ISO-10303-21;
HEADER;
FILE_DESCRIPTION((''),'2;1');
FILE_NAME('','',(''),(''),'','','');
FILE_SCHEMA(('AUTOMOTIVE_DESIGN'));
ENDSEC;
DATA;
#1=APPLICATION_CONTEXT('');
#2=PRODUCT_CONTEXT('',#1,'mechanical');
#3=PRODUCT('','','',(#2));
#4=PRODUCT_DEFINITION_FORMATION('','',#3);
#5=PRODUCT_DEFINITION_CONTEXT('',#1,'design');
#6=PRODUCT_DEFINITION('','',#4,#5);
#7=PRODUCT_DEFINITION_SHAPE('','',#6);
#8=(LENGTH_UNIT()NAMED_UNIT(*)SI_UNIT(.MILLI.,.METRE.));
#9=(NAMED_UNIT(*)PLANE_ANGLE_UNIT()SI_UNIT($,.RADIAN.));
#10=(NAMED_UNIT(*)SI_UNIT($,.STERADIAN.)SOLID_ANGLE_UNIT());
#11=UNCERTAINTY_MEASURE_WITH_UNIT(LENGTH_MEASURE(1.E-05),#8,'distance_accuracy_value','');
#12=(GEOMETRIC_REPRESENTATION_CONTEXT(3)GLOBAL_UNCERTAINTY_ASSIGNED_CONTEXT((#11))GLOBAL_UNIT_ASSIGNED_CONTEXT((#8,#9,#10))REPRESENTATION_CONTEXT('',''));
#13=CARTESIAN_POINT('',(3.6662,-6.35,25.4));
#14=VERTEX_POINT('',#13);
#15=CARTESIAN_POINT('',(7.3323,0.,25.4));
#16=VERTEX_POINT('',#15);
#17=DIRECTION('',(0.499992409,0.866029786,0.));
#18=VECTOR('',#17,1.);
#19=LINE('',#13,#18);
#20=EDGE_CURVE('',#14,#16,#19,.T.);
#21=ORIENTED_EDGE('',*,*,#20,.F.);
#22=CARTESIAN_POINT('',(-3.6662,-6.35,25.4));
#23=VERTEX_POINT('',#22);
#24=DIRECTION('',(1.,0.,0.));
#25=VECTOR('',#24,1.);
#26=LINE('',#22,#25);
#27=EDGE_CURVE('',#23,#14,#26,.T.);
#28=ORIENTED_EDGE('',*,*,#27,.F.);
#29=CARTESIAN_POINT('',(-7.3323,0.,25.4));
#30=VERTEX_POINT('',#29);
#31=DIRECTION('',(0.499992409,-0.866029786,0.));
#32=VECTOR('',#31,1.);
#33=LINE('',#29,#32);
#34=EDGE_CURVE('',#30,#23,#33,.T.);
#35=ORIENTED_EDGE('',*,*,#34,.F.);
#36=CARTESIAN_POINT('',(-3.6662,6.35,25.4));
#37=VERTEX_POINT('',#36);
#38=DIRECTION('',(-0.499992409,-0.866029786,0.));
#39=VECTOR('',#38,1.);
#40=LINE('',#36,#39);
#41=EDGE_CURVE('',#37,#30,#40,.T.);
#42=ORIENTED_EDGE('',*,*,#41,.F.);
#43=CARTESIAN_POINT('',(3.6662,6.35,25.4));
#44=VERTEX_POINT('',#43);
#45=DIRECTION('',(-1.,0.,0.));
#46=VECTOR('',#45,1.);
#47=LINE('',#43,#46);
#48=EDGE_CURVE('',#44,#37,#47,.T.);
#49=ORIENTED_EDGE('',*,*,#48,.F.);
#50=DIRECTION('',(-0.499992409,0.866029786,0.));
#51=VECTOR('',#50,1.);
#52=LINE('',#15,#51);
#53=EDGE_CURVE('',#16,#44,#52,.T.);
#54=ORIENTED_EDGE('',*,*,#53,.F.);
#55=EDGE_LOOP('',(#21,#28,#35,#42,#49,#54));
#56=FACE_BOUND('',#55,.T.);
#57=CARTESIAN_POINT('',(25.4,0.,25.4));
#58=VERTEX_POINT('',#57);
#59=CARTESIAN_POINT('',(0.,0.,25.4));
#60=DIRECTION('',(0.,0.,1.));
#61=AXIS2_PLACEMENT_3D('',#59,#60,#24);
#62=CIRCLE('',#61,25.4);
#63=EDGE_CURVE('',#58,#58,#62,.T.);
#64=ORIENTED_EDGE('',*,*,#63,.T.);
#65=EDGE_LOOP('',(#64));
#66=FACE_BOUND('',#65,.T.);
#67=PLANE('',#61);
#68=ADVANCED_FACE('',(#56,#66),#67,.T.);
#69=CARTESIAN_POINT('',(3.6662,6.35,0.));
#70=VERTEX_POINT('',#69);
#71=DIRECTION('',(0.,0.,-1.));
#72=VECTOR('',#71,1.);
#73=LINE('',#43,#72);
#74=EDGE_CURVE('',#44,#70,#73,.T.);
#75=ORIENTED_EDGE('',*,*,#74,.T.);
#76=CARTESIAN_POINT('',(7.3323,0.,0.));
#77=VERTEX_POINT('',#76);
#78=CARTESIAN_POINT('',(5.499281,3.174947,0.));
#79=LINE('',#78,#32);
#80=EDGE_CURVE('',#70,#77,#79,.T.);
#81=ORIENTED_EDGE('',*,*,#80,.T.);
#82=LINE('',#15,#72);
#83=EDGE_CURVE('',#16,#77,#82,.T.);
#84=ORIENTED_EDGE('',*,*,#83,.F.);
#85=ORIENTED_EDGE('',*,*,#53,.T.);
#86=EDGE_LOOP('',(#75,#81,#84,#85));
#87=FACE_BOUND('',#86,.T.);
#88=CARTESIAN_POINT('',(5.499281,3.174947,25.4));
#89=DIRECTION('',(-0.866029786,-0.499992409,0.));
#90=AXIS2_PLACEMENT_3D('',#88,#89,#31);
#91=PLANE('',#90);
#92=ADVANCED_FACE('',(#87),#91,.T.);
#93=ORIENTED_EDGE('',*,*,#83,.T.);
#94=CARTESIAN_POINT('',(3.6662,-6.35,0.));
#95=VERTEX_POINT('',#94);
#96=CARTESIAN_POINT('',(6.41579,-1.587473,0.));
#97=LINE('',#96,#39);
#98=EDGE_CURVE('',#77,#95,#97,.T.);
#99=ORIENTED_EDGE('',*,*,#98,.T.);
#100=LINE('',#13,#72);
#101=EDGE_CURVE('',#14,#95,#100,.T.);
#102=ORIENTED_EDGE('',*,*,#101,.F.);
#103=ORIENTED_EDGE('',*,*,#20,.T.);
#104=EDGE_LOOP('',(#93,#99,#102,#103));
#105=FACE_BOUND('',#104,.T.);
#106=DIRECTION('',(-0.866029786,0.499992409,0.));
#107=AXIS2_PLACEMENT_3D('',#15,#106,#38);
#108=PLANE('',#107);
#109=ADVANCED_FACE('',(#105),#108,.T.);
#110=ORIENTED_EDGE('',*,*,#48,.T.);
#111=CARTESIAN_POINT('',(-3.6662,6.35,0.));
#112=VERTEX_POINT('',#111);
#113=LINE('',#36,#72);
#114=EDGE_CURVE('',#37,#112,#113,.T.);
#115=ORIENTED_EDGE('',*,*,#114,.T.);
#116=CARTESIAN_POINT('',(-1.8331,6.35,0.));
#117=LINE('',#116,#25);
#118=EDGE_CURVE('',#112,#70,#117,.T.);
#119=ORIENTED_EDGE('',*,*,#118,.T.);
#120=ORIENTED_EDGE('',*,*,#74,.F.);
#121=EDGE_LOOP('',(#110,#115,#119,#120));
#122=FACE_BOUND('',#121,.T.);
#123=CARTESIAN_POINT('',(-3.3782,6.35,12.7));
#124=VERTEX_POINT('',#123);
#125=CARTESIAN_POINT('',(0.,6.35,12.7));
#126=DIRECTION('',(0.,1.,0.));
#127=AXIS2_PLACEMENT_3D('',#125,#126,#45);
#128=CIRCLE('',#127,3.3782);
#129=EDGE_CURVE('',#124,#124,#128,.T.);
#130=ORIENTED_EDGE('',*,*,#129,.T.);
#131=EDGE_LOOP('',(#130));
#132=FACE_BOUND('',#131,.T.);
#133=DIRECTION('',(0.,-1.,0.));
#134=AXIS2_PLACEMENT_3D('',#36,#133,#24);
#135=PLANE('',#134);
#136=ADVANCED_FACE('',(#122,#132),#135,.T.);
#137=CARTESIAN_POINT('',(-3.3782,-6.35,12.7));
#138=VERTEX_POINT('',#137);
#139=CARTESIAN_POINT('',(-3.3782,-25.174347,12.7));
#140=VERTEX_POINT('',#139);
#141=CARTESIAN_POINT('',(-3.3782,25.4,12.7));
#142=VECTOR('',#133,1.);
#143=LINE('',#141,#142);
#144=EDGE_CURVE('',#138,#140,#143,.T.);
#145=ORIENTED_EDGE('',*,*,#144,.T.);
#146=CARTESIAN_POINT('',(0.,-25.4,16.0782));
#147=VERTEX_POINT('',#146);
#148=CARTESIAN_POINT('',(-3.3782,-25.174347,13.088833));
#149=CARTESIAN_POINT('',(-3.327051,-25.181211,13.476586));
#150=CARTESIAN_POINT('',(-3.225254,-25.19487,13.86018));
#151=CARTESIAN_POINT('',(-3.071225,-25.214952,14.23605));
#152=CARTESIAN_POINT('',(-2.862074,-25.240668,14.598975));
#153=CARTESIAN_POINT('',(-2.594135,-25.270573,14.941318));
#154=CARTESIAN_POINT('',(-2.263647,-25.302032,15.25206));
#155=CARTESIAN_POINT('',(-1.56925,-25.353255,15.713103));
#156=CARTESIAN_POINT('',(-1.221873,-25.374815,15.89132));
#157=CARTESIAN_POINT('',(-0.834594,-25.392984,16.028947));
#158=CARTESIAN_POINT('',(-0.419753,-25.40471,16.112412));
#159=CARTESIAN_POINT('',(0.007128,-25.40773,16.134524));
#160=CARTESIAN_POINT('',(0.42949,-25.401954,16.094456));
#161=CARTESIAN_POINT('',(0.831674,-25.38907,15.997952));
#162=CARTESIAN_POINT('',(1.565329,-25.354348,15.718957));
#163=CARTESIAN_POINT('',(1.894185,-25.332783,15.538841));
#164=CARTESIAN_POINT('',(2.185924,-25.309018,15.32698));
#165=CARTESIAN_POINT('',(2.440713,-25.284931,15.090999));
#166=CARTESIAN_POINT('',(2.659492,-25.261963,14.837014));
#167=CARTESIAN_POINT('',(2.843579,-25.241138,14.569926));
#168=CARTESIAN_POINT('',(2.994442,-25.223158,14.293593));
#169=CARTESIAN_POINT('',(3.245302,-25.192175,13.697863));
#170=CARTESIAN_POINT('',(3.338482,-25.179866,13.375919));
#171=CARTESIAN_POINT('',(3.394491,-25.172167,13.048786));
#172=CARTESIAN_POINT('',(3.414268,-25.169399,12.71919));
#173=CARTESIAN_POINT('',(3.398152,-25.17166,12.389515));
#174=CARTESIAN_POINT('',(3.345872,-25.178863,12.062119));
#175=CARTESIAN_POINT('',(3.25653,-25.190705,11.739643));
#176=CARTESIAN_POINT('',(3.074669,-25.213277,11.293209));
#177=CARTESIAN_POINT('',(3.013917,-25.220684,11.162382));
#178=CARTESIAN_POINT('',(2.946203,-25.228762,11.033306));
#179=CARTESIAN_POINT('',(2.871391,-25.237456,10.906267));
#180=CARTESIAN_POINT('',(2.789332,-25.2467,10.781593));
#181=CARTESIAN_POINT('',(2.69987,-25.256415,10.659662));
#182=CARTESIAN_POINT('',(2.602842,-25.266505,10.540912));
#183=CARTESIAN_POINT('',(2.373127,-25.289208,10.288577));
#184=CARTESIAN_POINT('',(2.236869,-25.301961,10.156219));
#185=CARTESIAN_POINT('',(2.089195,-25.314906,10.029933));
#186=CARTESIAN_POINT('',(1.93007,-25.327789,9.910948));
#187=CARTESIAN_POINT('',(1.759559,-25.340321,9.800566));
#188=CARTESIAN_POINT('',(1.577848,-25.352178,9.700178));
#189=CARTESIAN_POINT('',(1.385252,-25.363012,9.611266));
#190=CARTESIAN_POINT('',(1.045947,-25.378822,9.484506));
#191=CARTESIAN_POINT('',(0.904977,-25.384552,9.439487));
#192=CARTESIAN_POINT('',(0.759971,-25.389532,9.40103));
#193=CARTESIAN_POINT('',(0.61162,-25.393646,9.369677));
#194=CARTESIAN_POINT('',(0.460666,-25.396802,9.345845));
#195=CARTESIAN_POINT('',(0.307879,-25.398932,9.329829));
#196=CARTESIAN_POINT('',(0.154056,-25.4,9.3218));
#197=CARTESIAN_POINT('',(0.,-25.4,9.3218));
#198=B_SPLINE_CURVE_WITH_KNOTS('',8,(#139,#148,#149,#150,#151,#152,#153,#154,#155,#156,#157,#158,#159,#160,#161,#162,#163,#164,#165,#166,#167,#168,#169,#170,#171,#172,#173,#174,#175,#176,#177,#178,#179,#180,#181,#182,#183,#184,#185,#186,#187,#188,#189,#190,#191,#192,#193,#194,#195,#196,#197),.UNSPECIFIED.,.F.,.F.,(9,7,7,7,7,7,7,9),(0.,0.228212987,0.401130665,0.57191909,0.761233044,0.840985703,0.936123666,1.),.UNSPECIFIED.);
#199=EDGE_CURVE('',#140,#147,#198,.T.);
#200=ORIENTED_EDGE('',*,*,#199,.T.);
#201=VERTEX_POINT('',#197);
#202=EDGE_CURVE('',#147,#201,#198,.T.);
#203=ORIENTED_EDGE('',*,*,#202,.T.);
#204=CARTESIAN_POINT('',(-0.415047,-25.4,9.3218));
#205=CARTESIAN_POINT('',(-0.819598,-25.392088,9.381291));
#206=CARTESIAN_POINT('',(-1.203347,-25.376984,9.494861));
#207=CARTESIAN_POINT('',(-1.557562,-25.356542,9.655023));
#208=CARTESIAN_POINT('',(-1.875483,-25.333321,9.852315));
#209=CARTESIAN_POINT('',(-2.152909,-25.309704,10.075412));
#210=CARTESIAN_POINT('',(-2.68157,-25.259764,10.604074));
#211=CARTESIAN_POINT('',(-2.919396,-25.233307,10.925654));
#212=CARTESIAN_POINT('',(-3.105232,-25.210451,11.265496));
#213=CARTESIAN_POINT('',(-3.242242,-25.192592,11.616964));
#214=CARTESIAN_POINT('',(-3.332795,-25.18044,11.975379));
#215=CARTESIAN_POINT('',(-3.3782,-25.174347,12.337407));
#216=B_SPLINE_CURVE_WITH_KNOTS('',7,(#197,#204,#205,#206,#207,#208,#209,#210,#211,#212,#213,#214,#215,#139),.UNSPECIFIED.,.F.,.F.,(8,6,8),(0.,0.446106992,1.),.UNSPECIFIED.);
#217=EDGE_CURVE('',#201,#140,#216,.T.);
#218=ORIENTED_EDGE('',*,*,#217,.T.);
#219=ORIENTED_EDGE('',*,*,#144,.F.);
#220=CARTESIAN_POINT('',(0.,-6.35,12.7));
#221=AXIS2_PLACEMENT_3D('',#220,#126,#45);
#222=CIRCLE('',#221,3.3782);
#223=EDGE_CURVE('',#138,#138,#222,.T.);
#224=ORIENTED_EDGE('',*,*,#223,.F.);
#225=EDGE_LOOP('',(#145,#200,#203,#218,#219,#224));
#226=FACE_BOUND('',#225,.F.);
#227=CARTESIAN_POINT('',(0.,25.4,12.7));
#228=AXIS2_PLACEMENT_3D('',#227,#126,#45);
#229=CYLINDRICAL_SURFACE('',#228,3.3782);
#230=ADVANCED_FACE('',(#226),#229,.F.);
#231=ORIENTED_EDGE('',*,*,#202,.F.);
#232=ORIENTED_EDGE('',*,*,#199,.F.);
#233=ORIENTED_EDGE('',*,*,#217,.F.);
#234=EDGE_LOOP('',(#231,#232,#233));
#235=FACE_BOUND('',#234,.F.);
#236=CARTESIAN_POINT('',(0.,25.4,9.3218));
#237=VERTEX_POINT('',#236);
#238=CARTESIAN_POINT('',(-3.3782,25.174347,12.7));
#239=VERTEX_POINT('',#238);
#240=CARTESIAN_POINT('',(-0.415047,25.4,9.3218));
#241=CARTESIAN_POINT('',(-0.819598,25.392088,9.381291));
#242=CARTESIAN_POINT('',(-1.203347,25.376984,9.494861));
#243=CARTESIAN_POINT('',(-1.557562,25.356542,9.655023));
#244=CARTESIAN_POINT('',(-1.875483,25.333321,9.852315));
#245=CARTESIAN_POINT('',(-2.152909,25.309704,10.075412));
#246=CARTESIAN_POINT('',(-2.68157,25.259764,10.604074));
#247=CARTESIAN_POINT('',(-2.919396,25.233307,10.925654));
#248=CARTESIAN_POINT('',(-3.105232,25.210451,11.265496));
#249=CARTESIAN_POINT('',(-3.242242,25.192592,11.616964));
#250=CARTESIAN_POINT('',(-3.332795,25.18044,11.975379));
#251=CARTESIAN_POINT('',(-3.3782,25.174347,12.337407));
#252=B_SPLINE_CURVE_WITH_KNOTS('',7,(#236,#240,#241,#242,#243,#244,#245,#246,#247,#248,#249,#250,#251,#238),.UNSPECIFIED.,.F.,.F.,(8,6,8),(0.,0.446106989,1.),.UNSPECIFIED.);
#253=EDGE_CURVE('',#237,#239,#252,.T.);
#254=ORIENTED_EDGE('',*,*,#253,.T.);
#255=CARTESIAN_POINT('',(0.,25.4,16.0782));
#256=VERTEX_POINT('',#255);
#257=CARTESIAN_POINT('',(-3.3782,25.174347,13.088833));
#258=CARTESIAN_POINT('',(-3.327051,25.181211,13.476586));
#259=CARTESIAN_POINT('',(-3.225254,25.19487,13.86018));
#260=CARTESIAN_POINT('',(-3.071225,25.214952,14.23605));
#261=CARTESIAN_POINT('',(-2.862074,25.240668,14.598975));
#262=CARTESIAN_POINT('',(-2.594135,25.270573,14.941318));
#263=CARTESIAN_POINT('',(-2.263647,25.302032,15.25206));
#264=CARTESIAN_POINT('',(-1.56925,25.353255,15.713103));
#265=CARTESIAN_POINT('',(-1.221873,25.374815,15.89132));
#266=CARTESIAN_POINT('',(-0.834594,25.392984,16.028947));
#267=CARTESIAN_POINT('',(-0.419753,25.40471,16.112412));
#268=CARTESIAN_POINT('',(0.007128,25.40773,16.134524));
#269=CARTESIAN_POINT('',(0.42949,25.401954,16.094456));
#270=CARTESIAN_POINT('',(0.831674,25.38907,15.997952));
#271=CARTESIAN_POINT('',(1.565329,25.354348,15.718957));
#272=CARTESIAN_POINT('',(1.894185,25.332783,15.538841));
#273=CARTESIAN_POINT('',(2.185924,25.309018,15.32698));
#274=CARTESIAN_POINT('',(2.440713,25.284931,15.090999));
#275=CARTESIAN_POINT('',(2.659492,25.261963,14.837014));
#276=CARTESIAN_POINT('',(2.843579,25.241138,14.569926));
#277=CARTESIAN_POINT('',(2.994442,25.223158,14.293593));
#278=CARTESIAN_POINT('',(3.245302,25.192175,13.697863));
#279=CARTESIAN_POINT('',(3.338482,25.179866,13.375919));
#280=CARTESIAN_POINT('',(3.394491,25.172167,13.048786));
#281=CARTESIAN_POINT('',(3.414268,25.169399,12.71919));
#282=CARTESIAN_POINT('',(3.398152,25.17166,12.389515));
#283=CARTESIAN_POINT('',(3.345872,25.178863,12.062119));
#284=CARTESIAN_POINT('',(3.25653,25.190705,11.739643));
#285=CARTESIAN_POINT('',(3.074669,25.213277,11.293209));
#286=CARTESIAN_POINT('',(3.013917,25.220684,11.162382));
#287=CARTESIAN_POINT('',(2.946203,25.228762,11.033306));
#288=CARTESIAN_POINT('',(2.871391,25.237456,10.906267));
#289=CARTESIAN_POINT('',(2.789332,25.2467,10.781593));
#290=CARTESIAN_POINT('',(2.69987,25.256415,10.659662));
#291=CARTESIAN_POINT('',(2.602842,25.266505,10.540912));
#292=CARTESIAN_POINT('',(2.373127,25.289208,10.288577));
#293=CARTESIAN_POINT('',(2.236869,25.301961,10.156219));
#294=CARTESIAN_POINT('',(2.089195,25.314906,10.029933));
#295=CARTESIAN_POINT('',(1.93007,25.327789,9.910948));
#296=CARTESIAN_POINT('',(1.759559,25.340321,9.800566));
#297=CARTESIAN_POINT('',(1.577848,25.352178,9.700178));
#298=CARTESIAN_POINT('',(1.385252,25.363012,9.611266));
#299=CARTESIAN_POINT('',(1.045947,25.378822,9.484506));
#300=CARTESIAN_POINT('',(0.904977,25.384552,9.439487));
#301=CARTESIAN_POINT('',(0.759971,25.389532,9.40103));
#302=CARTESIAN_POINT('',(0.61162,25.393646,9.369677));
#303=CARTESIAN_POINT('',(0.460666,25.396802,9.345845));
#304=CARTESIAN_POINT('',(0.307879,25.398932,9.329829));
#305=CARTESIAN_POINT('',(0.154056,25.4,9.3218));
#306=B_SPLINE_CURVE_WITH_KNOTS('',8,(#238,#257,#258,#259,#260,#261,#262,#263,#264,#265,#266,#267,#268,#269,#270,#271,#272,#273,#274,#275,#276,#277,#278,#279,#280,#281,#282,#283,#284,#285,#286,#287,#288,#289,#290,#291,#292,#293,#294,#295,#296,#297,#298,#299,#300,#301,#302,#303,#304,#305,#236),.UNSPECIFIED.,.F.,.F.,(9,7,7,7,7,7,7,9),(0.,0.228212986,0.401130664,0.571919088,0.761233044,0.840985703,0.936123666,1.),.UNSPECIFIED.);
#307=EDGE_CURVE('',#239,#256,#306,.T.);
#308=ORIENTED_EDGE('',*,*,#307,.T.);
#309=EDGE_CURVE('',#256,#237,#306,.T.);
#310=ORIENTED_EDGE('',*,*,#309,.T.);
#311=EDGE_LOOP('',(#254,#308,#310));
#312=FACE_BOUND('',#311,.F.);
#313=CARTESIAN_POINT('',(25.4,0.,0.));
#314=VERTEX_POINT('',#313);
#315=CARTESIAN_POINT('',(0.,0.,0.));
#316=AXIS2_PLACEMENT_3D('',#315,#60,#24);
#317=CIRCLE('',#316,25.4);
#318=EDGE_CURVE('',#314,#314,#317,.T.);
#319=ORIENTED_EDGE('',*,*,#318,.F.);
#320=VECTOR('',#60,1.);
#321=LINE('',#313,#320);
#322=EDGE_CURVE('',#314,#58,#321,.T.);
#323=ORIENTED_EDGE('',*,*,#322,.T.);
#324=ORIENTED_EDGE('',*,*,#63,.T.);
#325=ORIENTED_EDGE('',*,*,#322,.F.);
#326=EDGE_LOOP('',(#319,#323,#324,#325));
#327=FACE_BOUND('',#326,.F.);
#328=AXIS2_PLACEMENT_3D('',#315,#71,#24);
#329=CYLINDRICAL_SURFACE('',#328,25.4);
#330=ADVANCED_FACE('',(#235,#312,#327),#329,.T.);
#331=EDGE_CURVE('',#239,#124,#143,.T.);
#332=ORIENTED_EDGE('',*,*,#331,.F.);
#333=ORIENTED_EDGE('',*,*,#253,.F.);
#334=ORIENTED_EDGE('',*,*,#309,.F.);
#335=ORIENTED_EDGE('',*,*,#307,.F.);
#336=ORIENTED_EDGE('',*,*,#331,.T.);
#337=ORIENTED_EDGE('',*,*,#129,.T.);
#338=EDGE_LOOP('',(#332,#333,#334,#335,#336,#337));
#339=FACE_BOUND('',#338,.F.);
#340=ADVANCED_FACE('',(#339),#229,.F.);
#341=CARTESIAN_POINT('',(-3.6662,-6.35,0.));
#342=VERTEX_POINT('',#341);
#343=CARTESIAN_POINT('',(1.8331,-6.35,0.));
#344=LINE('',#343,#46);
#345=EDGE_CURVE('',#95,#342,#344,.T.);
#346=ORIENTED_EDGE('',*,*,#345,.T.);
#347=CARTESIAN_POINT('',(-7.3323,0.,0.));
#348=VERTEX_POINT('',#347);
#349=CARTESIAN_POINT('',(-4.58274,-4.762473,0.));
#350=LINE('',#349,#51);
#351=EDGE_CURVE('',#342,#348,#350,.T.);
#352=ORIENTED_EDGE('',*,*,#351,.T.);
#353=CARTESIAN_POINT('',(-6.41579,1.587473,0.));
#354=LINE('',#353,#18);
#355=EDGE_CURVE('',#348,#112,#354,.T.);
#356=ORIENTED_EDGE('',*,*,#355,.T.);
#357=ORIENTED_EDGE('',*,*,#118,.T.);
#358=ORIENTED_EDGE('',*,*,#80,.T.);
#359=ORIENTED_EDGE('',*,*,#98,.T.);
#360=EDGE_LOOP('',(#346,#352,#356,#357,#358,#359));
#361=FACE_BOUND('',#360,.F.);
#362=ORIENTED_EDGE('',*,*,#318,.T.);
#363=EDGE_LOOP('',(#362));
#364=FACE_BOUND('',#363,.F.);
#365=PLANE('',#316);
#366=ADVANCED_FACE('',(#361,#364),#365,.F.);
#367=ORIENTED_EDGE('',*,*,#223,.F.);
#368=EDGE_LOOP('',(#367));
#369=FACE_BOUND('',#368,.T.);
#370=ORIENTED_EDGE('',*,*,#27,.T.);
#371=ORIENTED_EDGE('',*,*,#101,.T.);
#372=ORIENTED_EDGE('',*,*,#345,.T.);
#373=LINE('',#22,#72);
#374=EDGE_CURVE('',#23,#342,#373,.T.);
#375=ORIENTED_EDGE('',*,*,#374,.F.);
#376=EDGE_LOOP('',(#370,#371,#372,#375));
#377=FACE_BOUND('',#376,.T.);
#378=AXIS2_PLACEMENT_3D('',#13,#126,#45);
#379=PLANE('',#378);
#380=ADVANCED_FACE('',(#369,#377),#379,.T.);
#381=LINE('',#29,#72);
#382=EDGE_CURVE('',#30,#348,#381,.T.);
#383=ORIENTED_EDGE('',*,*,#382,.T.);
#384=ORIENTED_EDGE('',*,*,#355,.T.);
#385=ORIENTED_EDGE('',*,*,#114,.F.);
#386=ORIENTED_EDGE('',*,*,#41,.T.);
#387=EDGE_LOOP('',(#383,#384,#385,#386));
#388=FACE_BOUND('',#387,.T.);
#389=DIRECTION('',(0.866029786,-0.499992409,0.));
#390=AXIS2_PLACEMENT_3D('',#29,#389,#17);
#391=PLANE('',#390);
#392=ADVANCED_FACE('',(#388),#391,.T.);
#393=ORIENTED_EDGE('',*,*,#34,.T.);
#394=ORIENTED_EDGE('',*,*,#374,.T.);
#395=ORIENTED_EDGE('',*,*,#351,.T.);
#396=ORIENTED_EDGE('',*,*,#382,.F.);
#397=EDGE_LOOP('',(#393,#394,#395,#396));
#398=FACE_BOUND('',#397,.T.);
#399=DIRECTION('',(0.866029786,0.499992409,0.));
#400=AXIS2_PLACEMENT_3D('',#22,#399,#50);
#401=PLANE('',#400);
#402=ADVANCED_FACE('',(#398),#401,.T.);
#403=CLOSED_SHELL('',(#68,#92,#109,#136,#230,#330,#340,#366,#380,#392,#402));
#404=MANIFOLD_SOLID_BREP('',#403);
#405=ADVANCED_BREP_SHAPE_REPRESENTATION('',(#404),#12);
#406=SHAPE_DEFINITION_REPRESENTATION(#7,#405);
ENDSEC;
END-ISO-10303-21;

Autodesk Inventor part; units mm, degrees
ref_plane "YZ Plane" through (0, 0, 0) normal (1, 0, 0) x (0, 1, 0)
ref_plane "XY Plane" through (0, 0, 0) normal (0, 0, 1) x (1, 0, 0)
sketch "Sketch1" plane through (0, 0, 0) normal (0, 0, 1) x (1, 0, 0)
  circle A0 centre (0, 0) radius 25.4
  dimension "d0" = 50.8
extrude "Extrusion1" add sketch "Sketch1" along normal blind 25.4
ref_plane "Work Plane1" through (0, 25.4, 0) normal (0, 1, 0) x (-1, 0, 0)
sketch "Sketch2" plane through (0, 25.4, 0) normal (0, 1, 0) x (-1, 0, 0)
  line L0 (0, 0) -> (0, 12.7)
  circle A0 centre (0, 12.7) radius 3.3782
  dimension "d3" = 12.7
  dimension "d4" = 6.7564
extrude "Extrusion2" cut sketch "Sketch2" against normal blind 50.8
sketch "Sketch3" plane through (0, 0, 25.4) normal (0, 0, 1) x (1, 0, 0)
  circle A0 centre (0, 0) radius 25.4 projected
  circle A1 centre (0, 0) radius 6.35
  line L0 (3.6662, 6.35) -> (7.3323, 0)
  line L1 (7.3323, 0) -> (3.6662, -6.35)
  line L2 (3.6662, -6.35) -> (-3.6662, -6.35)
  line L3 (-3.6662, -6.35) -> (-7.3323, 0)
  line L4 (-7.3323, 0) -> (-3.6662, 6.35)
  line L5 (-3.6662, 6.35) -> (3.6662, 6.35)
  point P0 (0, 6.35)
  dimension "d7" = 12.7
extrude "Extrusion3" cut sketch "Sketch3" against normal blind 50.8 contours A1 | A1 L0 L1 | A1 L5 L0 | L1 L2 A1 | A1 L4 L5 | L2 L3 A1 | A1 L3 L4
properties part number "insert" material "Aluminum 6061"
